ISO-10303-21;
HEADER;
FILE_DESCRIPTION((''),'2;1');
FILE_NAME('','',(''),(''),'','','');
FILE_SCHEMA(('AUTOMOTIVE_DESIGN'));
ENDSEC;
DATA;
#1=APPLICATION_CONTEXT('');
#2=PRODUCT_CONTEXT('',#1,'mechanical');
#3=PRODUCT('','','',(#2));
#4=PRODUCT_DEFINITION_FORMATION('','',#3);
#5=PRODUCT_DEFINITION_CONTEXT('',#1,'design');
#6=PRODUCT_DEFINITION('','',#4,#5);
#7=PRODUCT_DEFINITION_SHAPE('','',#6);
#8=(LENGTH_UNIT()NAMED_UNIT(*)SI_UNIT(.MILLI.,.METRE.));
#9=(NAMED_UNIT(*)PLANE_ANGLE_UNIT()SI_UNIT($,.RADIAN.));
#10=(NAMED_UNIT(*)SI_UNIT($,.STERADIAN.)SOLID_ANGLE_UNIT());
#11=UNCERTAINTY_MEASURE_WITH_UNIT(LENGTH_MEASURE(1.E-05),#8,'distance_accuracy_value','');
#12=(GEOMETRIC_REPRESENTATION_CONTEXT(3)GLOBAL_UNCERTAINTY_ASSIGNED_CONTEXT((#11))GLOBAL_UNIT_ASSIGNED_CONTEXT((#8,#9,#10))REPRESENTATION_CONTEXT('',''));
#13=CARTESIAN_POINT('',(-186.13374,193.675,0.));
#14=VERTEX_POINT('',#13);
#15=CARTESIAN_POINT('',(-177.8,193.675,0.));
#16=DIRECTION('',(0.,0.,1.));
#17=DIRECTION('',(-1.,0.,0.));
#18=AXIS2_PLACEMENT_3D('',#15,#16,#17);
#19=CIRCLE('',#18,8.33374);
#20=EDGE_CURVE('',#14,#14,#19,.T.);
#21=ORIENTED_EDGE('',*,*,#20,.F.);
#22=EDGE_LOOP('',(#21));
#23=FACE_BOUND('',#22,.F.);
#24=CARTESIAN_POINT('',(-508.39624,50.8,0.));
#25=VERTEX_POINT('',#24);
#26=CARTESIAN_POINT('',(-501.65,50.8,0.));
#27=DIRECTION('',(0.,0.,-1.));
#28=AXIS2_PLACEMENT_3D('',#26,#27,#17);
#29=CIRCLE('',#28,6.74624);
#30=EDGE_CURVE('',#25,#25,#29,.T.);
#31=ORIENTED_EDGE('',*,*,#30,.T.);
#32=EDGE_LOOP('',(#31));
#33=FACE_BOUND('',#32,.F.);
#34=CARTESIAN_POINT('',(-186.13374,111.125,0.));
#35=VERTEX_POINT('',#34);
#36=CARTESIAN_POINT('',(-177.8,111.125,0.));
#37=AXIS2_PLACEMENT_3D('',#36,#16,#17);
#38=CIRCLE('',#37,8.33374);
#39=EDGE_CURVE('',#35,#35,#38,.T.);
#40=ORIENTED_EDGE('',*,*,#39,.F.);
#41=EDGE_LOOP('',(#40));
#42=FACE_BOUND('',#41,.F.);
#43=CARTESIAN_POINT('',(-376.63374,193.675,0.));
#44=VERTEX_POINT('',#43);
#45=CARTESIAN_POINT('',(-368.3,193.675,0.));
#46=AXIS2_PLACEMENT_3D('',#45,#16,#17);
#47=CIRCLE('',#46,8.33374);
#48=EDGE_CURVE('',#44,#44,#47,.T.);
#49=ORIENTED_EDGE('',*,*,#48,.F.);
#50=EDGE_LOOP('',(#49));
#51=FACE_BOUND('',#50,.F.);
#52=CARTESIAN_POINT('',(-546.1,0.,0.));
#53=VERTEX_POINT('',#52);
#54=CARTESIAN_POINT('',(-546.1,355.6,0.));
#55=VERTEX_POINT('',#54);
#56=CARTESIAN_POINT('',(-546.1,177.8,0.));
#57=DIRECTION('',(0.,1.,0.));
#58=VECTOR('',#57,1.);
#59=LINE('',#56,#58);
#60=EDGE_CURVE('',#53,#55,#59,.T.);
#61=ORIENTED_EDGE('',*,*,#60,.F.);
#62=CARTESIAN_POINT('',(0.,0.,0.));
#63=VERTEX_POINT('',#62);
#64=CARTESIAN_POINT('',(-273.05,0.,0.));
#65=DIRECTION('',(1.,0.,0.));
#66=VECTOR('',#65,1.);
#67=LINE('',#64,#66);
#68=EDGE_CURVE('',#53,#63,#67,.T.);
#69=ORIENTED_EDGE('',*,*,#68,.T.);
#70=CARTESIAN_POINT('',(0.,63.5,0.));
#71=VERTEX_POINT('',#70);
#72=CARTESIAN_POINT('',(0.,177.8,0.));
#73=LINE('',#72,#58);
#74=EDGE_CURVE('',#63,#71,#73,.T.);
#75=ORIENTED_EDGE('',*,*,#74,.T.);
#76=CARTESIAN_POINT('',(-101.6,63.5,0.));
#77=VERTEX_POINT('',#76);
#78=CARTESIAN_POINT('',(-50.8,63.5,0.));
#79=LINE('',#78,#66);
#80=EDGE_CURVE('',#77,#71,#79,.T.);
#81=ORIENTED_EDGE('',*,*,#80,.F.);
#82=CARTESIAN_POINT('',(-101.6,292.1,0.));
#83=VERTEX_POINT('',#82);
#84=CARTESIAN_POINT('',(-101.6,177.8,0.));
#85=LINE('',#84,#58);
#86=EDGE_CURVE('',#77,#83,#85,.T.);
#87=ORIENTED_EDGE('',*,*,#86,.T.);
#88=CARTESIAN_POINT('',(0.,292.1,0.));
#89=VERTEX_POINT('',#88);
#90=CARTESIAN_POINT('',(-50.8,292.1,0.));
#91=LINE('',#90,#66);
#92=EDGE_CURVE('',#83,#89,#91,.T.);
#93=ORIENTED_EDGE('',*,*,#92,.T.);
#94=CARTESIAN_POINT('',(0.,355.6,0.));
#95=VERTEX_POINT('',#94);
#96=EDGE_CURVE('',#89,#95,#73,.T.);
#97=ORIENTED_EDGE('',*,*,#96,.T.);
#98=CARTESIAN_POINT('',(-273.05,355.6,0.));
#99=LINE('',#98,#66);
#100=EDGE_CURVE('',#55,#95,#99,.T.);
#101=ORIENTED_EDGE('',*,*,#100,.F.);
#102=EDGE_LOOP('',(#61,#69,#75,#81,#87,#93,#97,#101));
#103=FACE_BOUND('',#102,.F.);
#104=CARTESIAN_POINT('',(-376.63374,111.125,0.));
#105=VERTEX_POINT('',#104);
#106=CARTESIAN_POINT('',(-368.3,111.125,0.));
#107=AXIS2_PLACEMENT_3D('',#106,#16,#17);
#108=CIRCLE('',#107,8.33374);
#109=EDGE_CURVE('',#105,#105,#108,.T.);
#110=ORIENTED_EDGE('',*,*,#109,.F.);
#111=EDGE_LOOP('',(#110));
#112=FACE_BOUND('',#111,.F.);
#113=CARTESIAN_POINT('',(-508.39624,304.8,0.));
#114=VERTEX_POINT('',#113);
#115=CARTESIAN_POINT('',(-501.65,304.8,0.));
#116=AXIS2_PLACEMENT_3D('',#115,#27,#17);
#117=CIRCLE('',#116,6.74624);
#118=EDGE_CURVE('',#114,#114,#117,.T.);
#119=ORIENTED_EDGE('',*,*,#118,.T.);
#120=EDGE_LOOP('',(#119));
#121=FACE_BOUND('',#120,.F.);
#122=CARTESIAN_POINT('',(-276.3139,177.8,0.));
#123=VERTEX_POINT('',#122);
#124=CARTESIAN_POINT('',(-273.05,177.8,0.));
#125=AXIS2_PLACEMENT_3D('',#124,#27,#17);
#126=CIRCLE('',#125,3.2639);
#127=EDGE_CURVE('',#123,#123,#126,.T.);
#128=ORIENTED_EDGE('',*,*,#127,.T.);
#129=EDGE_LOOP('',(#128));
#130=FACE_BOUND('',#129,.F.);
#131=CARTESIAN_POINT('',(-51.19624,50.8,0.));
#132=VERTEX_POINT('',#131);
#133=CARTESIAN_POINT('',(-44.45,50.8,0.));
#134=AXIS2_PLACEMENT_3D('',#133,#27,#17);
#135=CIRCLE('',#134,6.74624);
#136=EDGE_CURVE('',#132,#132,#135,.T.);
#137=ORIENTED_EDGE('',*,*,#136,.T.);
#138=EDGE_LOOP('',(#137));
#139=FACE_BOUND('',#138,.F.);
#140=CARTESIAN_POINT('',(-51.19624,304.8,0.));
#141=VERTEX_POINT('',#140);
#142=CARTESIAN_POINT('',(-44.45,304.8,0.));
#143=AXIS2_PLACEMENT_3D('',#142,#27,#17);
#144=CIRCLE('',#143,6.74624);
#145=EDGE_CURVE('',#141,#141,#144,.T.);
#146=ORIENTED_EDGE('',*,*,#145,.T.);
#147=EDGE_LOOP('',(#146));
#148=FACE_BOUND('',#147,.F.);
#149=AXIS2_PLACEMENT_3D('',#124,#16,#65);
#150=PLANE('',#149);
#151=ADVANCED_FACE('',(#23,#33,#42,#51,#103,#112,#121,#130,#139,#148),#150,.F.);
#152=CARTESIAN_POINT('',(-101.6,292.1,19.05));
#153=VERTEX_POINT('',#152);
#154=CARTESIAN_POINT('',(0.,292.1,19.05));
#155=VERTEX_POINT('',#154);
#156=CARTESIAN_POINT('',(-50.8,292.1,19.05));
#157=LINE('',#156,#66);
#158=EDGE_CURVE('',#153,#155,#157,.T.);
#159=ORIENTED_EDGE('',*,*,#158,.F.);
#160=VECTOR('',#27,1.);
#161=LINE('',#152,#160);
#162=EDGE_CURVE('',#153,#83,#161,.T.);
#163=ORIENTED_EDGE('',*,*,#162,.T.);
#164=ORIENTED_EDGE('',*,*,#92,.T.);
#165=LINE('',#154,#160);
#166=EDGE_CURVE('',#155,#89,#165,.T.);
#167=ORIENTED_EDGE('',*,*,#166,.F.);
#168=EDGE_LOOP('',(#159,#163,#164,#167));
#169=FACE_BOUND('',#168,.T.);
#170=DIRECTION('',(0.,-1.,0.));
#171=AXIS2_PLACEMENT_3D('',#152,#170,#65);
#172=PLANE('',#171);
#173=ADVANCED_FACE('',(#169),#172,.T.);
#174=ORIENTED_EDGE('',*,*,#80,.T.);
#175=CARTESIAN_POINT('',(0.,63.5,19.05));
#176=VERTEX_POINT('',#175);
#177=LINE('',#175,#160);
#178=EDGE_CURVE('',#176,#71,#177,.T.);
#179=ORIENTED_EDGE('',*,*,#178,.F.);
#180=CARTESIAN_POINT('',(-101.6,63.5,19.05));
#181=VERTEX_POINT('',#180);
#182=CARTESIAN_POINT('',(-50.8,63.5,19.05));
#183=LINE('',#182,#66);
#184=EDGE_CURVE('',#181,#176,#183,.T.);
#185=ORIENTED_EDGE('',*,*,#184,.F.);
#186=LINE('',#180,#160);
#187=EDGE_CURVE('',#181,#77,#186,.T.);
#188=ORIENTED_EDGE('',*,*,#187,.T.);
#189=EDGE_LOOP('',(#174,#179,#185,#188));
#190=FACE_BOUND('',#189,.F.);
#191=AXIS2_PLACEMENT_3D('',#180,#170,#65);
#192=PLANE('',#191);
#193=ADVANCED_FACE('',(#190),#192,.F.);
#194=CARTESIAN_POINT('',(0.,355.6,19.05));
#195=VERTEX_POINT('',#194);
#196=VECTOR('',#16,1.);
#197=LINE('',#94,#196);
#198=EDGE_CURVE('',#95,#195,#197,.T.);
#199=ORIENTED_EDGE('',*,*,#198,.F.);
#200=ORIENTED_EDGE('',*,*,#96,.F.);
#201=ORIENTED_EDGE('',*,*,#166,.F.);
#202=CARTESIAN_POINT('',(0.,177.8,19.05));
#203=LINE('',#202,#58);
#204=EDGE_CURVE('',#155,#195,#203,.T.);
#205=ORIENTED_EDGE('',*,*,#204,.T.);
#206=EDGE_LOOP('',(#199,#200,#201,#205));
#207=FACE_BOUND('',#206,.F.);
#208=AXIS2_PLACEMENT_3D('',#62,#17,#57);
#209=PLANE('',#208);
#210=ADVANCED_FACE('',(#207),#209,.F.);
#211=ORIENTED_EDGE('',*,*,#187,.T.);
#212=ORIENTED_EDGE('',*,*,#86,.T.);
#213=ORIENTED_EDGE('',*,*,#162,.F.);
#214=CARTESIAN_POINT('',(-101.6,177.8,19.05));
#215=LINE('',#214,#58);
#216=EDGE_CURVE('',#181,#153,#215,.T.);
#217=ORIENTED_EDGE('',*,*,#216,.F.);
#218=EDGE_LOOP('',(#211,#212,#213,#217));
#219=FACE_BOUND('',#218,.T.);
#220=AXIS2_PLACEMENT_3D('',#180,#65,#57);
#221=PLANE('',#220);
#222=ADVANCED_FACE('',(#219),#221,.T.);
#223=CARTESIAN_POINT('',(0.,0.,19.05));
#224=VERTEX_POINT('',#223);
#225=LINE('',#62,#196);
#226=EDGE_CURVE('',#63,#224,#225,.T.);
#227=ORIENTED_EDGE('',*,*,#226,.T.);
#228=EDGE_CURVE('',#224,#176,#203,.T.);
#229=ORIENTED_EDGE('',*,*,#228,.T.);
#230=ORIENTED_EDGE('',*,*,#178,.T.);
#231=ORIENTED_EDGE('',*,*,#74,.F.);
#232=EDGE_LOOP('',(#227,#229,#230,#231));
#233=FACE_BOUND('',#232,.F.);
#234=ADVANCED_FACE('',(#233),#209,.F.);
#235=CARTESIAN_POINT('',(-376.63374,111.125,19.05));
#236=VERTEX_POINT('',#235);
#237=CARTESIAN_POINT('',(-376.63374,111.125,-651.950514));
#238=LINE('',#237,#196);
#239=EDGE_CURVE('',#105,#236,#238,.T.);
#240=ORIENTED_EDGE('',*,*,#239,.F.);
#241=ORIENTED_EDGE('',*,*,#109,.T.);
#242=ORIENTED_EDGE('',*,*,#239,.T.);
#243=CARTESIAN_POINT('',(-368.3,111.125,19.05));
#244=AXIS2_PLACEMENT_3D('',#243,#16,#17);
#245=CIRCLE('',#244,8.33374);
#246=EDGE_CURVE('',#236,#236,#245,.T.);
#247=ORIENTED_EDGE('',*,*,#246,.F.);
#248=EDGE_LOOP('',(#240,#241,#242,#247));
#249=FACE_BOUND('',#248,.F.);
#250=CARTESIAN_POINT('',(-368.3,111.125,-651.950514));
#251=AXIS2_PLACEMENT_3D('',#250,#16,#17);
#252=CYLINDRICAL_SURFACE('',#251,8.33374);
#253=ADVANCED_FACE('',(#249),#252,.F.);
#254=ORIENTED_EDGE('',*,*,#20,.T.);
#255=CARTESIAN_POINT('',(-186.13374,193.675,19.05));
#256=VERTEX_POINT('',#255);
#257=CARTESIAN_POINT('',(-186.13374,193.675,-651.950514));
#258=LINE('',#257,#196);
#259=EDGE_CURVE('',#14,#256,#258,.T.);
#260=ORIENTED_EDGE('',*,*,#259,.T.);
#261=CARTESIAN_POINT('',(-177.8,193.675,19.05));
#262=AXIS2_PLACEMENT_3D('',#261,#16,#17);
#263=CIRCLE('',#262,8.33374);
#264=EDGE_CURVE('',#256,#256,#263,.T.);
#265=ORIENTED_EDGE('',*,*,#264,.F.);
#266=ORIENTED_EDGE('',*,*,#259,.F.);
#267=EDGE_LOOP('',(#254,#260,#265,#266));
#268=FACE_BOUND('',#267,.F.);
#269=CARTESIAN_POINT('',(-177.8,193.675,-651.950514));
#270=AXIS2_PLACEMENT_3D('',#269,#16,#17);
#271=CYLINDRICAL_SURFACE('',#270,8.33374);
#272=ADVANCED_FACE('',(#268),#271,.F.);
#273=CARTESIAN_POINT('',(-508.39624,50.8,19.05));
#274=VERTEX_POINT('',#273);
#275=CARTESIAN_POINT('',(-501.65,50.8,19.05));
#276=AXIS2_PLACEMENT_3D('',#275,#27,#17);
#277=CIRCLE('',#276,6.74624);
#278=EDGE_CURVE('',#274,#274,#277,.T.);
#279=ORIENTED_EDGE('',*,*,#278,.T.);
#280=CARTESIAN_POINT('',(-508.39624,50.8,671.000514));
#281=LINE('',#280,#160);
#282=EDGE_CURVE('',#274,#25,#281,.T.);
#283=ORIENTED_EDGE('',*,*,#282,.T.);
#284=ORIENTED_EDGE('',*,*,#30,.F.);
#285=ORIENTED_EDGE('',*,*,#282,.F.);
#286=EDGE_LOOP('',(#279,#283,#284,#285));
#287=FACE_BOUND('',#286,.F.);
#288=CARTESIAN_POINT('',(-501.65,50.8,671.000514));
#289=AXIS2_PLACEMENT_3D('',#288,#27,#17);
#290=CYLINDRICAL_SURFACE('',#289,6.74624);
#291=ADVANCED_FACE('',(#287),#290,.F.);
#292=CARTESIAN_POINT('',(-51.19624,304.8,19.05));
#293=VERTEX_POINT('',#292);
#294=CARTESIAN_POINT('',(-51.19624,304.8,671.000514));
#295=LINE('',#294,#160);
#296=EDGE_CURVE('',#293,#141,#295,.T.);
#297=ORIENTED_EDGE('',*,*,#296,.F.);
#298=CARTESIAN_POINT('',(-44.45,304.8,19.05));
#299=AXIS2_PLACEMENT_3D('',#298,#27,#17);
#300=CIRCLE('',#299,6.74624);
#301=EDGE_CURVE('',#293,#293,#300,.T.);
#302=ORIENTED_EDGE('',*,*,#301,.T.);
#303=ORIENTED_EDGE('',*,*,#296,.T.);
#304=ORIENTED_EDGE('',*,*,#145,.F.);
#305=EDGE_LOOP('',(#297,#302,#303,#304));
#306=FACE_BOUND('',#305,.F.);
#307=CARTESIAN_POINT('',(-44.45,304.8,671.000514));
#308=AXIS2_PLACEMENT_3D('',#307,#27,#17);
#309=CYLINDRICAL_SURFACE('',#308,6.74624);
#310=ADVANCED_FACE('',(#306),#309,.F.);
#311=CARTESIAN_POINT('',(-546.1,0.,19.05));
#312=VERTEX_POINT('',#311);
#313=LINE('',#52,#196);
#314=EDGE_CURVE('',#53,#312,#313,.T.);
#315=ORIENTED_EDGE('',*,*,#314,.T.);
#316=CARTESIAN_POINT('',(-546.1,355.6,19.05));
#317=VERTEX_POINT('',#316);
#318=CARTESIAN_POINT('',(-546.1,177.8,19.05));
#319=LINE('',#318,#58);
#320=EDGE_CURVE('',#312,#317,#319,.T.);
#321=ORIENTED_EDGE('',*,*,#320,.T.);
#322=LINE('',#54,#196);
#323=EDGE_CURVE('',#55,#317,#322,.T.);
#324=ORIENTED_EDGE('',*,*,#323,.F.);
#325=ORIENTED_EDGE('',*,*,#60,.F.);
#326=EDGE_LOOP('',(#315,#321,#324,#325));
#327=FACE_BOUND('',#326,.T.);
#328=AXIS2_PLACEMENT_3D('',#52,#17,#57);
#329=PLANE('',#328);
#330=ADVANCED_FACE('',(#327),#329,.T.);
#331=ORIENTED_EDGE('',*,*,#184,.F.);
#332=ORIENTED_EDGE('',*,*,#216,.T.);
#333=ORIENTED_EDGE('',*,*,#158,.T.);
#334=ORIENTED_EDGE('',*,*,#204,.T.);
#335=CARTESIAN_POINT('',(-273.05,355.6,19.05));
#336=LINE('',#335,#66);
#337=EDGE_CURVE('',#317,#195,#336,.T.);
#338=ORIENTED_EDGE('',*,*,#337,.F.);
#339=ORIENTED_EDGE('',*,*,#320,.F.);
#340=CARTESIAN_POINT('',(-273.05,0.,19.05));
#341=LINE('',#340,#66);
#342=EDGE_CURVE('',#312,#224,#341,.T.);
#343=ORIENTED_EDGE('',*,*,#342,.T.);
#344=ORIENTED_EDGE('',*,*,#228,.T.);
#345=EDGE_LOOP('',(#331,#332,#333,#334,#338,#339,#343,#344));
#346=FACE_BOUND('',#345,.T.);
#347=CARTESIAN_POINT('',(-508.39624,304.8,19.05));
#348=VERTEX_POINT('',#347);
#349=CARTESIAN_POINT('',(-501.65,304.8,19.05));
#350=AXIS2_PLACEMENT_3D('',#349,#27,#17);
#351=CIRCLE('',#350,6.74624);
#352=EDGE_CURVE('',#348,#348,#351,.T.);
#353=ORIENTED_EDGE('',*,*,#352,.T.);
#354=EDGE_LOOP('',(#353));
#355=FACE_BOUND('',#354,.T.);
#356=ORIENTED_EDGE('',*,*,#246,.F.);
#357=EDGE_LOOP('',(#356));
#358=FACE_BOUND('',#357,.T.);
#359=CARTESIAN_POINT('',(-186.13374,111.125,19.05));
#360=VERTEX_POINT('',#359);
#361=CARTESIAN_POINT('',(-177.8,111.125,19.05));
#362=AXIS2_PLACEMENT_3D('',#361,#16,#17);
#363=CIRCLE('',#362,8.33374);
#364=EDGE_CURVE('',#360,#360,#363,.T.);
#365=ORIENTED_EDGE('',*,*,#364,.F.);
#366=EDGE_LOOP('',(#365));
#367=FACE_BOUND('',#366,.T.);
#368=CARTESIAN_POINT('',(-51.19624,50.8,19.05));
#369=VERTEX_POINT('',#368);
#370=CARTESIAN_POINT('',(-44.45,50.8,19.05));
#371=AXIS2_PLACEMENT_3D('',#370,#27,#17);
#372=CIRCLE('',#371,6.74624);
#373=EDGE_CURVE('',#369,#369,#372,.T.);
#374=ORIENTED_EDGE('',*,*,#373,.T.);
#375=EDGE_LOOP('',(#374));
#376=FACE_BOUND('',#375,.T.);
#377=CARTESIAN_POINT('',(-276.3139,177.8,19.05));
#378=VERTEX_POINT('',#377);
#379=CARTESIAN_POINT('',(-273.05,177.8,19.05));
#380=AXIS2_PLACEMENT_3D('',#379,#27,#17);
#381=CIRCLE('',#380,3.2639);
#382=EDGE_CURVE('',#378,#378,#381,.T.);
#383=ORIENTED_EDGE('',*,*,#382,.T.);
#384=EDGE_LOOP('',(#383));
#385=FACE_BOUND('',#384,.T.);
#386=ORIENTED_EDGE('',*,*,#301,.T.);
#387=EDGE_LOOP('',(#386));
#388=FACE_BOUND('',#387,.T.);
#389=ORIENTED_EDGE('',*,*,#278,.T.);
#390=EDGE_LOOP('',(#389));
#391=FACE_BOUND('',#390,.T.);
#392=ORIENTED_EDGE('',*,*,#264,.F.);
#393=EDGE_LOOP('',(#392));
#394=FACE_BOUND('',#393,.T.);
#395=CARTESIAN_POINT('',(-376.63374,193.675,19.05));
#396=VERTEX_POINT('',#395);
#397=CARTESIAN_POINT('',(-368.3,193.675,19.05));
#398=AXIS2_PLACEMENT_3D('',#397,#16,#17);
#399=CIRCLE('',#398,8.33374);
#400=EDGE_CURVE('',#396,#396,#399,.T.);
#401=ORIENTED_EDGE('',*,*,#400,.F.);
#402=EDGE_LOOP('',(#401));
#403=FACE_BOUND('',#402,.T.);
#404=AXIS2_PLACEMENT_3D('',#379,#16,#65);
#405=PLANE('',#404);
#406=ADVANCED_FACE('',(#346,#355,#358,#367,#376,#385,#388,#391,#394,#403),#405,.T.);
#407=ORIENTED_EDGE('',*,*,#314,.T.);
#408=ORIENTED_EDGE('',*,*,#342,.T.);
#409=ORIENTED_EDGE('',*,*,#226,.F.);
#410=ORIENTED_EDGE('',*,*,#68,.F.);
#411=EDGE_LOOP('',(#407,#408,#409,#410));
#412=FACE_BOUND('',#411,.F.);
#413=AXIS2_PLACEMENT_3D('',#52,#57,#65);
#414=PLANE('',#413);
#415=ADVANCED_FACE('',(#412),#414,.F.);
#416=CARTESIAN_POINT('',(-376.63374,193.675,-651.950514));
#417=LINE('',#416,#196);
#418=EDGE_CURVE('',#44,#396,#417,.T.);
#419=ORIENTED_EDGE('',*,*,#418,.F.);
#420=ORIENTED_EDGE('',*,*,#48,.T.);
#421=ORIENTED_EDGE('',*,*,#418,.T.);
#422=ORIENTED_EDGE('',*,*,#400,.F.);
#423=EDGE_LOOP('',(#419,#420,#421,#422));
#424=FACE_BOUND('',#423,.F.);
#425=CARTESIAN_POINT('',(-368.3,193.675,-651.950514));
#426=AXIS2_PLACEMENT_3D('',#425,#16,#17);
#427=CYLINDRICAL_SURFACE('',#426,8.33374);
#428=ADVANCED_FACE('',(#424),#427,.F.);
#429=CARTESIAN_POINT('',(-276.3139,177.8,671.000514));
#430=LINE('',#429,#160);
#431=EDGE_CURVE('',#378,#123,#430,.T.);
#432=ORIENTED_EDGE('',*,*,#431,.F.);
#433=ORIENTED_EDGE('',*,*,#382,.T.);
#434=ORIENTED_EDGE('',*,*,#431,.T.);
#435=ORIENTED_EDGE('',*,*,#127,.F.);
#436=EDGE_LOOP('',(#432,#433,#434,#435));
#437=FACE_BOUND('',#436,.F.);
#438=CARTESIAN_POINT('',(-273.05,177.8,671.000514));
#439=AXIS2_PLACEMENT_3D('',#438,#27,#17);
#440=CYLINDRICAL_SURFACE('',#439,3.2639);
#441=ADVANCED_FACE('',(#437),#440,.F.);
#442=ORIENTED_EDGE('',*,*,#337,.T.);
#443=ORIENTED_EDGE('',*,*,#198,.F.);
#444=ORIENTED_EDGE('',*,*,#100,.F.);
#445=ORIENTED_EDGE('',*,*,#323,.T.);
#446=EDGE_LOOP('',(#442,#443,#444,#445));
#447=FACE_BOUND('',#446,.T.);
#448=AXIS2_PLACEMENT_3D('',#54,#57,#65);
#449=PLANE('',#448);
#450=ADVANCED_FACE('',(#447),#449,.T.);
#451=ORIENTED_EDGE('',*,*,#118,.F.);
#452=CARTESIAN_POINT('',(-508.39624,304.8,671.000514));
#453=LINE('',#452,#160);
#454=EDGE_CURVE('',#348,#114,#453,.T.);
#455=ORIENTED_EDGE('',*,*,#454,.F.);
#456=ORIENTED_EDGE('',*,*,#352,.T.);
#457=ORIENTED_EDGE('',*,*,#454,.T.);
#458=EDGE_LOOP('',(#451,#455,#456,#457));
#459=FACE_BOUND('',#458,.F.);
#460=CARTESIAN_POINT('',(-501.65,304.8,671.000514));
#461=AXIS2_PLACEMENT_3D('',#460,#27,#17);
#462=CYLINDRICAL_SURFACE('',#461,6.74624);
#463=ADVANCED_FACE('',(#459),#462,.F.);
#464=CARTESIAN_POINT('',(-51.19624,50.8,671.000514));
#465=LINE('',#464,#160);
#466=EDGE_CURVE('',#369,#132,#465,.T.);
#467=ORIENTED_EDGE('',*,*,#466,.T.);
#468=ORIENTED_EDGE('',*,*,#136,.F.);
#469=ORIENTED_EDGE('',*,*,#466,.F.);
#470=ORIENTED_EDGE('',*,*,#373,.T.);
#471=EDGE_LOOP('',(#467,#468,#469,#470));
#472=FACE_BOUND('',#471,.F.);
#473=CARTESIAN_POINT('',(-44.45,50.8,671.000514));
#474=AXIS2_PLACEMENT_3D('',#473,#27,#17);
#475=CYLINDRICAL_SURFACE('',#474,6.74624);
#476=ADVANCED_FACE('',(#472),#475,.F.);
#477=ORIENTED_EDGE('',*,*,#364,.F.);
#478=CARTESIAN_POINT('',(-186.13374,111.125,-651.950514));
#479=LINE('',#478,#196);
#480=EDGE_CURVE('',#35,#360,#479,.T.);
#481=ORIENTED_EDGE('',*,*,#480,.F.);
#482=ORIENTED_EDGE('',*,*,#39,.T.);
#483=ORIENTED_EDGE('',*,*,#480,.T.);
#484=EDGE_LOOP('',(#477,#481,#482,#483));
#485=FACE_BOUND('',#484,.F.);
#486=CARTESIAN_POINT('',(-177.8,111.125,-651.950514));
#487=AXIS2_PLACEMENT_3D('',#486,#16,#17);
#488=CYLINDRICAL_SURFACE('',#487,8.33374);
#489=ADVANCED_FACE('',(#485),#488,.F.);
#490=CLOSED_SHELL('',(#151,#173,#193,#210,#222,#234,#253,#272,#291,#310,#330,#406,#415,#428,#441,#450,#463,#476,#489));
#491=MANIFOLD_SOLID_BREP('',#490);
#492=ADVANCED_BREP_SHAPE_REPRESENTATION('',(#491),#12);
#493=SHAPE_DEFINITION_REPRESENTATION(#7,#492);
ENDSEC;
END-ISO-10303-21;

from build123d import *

# Parameters (mm, degrees)
F0_W     = 546.1
F0_H     = 355.6
F1_DEPTH = 19.05
F3_D     = 13.49248
F4_W     = 101.6
F4_H     = 228.6
F5_DEPTH = 19.05
F8_D     = 6.5278
F10_D    = 16.66748


with BuildPart() as f1:
    # F0 (on Top) → F1 (new body)
    with BuildSketch(Plane.XY):
        with Locations((-273.05, 177.8)):
            Rectangle(F0_W, F0_H)
    extrude(amount=F1_DEPTH)

    # F3 (through all)
    with Locations(Plane.XY.offset(19.05)):
        with Locations((-501.65, 304.8), (-44.45, 304.8), (-44.45, 50.8), (-501.65, 50.8)):
            Hole(F3_D / 2)

    # F4 (on face) → F5 (cut)
    with BuildSketch(Plane.XY.offset(19.05)):
        with Locations((-50.8, 177.8)):
            Rectangle(F4_W, F4_H)
    extrude(amount=-F5_DEPTH, mode=Mode.SUBTRACT)

    # F8 (through all)
    with Locations(Plane.XY.offset(19.05)):
        with Locations((-273.05, 177.8)):
            Hole(F8_D / 2)

    # F10 (through all)
    with Locations(Plane(origin=(0, 0, 0), x_dir=(1, 0, 0), z_dir=(0, 0, -1))):
        with Locations((-177.8, -193.675), (-368.3, -193.675), (-368.3, -111.125), (-177.8, -111.125)):
            Hole(F10_D / 2)


solid = f1.part
